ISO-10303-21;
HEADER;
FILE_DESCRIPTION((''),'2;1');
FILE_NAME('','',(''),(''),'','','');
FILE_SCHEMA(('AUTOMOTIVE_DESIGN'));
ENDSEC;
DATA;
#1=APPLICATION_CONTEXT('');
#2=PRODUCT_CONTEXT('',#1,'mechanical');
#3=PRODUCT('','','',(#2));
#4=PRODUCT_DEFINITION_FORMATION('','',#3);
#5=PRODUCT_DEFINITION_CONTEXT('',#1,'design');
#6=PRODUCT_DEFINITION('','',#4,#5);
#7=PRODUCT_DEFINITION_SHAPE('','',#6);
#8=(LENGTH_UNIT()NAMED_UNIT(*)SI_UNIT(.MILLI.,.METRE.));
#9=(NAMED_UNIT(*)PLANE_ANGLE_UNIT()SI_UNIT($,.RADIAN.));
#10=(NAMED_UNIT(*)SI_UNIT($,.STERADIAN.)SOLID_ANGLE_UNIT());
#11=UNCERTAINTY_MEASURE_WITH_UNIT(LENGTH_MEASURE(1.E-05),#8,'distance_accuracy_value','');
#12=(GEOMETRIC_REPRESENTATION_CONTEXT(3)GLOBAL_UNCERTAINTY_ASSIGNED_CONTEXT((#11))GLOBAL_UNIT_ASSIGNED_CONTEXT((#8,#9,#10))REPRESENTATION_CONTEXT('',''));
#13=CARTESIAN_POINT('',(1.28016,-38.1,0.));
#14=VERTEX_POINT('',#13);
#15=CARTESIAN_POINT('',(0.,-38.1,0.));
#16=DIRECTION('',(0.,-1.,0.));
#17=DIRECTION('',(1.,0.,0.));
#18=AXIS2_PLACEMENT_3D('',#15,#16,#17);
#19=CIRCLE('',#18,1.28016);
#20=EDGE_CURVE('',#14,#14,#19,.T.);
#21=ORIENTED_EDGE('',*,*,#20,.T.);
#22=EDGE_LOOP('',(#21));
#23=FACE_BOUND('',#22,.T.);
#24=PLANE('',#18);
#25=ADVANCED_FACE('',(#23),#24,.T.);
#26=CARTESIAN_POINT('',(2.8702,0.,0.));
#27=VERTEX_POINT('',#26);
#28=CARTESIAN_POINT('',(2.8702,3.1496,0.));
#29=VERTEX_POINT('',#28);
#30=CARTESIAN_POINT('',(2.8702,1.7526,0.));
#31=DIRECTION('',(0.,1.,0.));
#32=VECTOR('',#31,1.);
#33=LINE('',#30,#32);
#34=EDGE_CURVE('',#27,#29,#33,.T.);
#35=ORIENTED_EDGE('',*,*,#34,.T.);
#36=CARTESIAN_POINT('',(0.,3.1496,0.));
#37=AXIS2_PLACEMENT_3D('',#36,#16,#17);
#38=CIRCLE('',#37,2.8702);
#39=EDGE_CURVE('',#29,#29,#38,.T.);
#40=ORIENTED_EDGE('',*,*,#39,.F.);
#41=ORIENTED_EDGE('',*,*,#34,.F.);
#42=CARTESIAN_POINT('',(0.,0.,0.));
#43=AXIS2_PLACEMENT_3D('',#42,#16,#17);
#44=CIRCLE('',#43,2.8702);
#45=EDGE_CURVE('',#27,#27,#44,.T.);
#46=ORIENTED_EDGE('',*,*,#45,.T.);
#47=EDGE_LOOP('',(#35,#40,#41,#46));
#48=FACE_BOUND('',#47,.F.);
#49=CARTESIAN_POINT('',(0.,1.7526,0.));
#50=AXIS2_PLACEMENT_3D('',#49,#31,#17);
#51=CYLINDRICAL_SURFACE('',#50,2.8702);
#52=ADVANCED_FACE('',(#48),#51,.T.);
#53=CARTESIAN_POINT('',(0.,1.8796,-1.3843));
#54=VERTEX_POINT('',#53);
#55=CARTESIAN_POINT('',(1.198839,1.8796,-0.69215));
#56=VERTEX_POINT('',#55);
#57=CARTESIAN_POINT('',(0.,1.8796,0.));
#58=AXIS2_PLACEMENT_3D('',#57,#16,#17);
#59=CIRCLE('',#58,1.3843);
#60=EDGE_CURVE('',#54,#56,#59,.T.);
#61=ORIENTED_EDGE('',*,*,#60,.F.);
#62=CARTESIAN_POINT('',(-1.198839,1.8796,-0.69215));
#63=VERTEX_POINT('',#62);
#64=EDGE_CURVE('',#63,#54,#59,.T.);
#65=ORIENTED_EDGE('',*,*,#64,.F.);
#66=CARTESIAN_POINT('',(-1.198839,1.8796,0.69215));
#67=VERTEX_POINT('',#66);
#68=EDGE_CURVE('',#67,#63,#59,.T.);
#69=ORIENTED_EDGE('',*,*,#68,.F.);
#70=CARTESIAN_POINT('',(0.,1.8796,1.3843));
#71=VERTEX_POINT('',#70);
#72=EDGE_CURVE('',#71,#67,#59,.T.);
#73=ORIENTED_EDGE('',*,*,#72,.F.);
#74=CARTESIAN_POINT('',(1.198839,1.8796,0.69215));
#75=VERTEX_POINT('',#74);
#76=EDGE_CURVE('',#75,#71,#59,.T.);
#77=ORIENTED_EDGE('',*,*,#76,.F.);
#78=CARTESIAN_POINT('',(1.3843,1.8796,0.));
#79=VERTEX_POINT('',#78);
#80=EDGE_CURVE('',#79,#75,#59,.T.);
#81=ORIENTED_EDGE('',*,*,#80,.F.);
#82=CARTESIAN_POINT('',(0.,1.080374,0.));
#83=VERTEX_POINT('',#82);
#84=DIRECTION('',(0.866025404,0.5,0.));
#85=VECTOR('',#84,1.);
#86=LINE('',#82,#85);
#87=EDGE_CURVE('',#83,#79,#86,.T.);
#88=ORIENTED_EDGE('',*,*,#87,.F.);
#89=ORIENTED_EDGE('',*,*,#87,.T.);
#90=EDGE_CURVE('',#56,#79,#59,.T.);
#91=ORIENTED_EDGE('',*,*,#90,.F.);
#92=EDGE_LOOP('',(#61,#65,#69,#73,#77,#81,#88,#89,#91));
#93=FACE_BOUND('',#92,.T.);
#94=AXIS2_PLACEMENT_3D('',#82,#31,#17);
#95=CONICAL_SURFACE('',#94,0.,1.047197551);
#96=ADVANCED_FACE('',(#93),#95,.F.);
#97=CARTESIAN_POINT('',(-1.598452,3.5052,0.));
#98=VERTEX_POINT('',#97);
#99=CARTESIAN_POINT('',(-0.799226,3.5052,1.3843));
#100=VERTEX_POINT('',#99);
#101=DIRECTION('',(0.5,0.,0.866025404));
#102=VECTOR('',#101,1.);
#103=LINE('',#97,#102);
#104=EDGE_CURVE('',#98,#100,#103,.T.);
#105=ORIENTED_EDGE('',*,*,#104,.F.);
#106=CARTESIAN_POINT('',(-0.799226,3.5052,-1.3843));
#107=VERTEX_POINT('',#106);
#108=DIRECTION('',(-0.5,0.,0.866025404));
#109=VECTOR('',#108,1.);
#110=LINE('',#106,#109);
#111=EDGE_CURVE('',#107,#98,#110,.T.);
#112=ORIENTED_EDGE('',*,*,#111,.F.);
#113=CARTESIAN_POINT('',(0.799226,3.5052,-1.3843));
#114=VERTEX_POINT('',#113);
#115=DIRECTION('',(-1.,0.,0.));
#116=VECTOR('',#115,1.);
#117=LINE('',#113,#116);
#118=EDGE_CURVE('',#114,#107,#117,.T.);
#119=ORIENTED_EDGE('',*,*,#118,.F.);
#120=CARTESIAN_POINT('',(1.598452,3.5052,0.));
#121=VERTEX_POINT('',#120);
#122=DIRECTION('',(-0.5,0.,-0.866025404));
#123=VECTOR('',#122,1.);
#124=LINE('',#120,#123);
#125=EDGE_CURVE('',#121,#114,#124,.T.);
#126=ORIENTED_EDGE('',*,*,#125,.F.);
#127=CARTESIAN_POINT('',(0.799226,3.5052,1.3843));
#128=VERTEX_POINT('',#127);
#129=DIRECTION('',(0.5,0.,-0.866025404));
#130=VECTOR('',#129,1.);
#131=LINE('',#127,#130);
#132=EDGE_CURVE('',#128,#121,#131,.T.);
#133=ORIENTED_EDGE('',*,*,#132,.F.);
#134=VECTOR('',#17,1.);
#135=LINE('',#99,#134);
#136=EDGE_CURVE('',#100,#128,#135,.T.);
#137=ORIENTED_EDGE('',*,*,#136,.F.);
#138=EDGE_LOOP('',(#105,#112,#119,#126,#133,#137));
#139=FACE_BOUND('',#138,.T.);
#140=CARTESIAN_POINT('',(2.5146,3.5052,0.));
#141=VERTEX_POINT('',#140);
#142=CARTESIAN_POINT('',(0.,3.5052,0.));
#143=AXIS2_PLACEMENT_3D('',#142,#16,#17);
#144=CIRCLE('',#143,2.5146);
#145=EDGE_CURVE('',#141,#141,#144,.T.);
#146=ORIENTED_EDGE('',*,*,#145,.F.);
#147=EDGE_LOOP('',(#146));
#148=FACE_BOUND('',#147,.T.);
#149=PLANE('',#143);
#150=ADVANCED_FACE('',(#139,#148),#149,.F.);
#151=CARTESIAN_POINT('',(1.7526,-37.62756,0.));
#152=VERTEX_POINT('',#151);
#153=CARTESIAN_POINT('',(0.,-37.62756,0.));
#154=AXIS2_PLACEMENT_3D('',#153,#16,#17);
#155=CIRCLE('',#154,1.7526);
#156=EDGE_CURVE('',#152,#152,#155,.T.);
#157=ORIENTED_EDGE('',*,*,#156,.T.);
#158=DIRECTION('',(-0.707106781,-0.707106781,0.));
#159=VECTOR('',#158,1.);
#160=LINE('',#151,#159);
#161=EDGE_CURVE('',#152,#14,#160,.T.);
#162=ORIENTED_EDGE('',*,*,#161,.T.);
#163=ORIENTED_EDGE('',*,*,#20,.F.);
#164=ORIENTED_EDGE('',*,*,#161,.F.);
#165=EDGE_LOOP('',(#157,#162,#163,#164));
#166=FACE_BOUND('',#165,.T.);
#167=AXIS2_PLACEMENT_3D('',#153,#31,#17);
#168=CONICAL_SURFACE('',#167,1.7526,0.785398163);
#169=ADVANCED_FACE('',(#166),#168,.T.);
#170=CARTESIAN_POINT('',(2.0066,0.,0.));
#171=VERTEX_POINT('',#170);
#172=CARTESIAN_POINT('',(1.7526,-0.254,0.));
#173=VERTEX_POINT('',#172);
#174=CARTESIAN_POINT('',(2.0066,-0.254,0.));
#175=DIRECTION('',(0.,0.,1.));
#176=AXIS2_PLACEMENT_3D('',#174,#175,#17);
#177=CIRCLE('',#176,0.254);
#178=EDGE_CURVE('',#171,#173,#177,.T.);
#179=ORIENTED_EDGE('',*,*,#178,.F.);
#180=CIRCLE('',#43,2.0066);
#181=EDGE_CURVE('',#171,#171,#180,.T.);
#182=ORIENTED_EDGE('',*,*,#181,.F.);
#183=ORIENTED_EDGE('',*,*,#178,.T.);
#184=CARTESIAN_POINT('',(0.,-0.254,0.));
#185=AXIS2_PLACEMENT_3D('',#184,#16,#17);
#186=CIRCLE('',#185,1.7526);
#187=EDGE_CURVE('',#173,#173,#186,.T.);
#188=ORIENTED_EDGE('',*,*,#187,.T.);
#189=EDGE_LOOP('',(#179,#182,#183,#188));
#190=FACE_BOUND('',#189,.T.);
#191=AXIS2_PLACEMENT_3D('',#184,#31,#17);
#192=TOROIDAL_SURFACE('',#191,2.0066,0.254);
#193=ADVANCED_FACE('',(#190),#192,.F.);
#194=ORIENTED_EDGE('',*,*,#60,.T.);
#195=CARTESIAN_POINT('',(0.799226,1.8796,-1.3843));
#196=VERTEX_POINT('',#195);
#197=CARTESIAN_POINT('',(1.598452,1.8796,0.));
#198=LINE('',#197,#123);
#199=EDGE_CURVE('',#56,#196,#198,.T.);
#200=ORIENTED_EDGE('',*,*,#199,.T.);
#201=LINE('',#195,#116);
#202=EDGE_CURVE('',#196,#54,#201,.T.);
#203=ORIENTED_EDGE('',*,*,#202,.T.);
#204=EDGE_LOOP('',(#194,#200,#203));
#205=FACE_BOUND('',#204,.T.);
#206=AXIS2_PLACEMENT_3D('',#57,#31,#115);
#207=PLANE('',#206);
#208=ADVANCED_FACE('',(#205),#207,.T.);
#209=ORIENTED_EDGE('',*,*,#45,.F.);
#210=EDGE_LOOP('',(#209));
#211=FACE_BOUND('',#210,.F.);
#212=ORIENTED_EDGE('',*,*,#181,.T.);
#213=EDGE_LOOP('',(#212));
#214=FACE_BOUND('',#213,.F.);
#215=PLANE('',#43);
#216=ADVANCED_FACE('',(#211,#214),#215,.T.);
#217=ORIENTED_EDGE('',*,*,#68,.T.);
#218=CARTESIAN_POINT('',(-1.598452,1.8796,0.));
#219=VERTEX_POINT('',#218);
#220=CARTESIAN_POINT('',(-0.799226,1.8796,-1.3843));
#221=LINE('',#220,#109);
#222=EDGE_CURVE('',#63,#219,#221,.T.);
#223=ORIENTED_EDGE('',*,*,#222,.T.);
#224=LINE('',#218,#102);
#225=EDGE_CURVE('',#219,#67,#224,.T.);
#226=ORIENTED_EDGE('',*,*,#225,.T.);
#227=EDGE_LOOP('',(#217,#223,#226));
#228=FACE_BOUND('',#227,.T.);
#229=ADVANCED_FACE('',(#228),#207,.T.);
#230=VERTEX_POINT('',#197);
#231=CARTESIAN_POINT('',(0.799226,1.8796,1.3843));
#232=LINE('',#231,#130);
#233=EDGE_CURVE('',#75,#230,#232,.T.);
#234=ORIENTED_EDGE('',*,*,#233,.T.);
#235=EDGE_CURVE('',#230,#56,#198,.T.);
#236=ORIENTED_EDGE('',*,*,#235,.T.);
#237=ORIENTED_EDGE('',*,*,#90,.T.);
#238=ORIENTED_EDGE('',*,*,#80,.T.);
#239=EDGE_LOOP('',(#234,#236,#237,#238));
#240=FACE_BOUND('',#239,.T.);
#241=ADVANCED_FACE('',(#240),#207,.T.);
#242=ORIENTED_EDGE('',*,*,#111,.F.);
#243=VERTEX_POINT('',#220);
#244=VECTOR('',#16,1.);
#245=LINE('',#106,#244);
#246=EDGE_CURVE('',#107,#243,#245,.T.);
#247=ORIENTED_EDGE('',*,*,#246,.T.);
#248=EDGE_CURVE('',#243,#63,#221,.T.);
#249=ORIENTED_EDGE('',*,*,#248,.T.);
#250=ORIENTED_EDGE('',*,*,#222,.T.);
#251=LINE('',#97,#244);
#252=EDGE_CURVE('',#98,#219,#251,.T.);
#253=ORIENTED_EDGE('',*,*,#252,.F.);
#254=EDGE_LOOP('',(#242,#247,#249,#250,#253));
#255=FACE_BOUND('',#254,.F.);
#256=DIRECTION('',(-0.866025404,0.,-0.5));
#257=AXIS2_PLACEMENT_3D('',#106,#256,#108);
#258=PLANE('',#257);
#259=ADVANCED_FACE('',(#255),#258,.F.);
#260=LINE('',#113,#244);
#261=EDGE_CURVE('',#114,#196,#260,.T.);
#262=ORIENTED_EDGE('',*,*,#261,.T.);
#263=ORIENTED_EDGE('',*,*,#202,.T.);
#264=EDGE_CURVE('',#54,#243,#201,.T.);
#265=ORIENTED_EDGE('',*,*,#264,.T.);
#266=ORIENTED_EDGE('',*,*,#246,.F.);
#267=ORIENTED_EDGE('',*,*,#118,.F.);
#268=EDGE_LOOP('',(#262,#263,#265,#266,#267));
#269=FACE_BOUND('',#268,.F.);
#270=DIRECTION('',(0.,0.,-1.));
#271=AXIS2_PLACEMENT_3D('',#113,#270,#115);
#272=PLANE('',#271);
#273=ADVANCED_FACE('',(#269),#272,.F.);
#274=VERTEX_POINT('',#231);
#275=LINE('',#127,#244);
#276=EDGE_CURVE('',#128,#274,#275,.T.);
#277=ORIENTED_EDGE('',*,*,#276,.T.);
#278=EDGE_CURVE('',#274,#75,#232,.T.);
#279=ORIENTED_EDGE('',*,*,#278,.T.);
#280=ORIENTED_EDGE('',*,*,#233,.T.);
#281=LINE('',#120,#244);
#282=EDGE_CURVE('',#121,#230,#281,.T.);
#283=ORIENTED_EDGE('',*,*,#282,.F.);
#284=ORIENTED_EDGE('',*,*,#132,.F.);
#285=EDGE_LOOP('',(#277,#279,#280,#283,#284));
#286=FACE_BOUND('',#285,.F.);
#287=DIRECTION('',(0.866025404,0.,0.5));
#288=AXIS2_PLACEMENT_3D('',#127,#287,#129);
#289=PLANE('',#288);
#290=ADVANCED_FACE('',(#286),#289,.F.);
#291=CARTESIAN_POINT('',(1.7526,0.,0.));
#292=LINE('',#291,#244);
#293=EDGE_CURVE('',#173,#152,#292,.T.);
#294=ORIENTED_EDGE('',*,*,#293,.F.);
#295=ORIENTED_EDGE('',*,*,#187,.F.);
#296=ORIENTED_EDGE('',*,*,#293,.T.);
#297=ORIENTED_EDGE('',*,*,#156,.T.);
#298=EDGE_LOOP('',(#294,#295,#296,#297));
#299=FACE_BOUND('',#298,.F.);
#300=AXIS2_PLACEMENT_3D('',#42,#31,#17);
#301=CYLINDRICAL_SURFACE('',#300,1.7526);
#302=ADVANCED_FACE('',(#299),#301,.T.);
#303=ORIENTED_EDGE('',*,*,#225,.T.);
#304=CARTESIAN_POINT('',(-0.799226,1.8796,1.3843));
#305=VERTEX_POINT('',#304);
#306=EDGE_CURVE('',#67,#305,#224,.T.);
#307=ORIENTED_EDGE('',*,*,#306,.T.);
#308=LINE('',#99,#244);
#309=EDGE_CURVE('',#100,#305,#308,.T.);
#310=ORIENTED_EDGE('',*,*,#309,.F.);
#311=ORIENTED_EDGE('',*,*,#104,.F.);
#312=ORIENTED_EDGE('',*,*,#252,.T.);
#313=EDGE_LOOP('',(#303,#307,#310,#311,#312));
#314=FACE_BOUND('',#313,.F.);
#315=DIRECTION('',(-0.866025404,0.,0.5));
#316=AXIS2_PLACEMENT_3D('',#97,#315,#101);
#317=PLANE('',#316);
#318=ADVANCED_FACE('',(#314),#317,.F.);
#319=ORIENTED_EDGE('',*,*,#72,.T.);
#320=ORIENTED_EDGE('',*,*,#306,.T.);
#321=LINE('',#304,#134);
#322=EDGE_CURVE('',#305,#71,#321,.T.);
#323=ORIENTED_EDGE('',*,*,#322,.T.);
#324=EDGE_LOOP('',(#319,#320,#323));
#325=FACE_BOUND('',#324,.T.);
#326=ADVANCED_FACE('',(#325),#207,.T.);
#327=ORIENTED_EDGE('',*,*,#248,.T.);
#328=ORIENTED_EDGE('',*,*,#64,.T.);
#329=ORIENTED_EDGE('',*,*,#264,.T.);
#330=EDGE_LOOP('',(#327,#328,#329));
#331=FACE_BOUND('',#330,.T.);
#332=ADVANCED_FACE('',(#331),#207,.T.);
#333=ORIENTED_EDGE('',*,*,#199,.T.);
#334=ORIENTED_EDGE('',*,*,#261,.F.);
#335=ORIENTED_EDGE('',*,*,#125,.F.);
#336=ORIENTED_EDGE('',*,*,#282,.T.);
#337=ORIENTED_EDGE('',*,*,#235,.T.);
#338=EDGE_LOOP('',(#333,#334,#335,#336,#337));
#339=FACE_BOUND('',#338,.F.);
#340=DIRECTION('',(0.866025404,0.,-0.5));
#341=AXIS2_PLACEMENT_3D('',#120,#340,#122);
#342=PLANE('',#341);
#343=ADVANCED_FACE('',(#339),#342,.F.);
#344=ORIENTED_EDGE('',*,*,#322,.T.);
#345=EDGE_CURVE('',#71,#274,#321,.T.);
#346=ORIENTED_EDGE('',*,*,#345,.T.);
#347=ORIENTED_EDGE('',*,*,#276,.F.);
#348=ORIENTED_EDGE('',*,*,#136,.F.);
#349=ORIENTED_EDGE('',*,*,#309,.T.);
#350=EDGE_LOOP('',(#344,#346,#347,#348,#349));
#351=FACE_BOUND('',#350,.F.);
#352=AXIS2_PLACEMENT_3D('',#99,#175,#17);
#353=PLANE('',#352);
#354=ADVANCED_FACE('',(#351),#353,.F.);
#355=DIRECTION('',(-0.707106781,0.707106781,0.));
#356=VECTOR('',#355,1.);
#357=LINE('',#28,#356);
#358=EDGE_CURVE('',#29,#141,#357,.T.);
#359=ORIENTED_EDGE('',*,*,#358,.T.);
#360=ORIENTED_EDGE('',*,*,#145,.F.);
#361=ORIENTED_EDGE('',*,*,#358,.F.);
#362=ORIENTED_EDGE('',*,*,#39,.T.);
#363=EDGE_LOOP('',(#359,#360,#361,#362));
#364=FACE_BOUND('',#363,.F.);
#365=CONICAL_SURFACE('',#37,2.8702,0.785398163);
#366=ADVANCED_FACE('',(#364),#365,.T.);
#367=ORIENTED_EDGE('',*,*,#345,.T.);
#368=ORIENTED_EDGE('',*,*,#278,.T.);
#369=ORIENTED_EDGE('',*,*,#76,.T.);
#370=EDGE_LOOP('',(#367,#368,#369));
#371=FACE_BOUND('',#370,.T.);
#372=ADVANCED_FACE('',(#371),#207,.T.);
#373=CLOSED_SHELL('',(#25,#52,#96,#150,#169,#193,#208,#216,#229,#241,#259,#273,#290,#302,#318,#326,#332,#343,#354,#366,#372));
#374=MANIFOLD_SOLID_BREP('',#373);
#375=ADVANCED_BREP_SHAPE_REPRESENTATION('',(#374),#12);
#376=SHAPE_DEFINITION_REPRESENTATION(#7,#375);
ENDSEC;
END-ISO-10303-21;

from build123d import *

# Parameters (mm, degrees)
SKETCH1_W           = 2.8702
SKETCH1_H           = 3.5052
SKETCH2_R           = 1.7526
BOSS_EXTRUDE1_DEPTH = 38.1
CUT_EXTRUDE1_DEPTH  = 1.6256
CHAMFER1_SIZE       = 0.47244
CHAMFER2_SIZE       = 0.3556
FILLET1_R           = 0.254


with BuildPart() as part:
    # Sketch1 → Revolve1 (revolve)
    with BuildSketch(Plane.XY):
        with Locations((1.4351, 1.7526)):
            Rectangle(SKETCH1_W, SKETCH1_H)
    revolve(axis=Axis((0, 3.5052, 0), (0, -1, 0)))

    # Sketch2 → Boss-Extrude1 (add)
    with BuildSketch(Plane.XZ):
        Circle(SKETCH2_R)
    extrude(amount=BOSS_EXTRUDE1_DEPTH)

    # Sketch3 → Cut-Extrude1 (cut)
    with BuildSketch(Plane(origin=(0, 3.5052, 0), x_dir=(-1, 0, 0), z_dir=(0, 1, 0))):
        Polygon((-0.799225978, 1.3843), (-1.598451955, 0), (-0.799225978, -1.3843), (0.799225978, -1.3843), (1.598451955, 0), (0.799225978, 1.3843), align=None)
    extrude(amount=-CUT_EXTRUDE1_DEPTH, mode=Mode.SUBTRACT)

    # Sketch4 → Cut-Revolve1 (revolve, cut)
    with BuildSketch(Plane.XY):
        Polygon((1.3843, 1.8796), (0, 1.8796), (0, 1.080374022), align=None)
    revolve(axis=Axis((0, 1.879625, 0), (0, -1, 0)), mode=Mode.SUBTRACT)

    # Chamfer1
    chamfer1_edges = [part.edges().sort_by_distance(p)[0] for p in [
        (-1.7526, -38.1, 0),
    ]]
    chamfer(chamfer1_edges, length=CHAMFER1_SIZE)

    # Chamfer2
    chamfer2_edges = [part.edges().sort_by_distance(p)[0] for p in [
        (-2.8702, 3.5052, 0),
    ]]
    chamfer(chamfer2_edges, length=CHAMFER2_SIZE)

    # Fillet1
    fillet1_edges = [part.edges().sort_by_distance(p)[0] for p in [
        (-1.7526, 0, 0),
    ]]
    fillet(fillet1_edges, radius=FILLET1_R)


solid = part.part
